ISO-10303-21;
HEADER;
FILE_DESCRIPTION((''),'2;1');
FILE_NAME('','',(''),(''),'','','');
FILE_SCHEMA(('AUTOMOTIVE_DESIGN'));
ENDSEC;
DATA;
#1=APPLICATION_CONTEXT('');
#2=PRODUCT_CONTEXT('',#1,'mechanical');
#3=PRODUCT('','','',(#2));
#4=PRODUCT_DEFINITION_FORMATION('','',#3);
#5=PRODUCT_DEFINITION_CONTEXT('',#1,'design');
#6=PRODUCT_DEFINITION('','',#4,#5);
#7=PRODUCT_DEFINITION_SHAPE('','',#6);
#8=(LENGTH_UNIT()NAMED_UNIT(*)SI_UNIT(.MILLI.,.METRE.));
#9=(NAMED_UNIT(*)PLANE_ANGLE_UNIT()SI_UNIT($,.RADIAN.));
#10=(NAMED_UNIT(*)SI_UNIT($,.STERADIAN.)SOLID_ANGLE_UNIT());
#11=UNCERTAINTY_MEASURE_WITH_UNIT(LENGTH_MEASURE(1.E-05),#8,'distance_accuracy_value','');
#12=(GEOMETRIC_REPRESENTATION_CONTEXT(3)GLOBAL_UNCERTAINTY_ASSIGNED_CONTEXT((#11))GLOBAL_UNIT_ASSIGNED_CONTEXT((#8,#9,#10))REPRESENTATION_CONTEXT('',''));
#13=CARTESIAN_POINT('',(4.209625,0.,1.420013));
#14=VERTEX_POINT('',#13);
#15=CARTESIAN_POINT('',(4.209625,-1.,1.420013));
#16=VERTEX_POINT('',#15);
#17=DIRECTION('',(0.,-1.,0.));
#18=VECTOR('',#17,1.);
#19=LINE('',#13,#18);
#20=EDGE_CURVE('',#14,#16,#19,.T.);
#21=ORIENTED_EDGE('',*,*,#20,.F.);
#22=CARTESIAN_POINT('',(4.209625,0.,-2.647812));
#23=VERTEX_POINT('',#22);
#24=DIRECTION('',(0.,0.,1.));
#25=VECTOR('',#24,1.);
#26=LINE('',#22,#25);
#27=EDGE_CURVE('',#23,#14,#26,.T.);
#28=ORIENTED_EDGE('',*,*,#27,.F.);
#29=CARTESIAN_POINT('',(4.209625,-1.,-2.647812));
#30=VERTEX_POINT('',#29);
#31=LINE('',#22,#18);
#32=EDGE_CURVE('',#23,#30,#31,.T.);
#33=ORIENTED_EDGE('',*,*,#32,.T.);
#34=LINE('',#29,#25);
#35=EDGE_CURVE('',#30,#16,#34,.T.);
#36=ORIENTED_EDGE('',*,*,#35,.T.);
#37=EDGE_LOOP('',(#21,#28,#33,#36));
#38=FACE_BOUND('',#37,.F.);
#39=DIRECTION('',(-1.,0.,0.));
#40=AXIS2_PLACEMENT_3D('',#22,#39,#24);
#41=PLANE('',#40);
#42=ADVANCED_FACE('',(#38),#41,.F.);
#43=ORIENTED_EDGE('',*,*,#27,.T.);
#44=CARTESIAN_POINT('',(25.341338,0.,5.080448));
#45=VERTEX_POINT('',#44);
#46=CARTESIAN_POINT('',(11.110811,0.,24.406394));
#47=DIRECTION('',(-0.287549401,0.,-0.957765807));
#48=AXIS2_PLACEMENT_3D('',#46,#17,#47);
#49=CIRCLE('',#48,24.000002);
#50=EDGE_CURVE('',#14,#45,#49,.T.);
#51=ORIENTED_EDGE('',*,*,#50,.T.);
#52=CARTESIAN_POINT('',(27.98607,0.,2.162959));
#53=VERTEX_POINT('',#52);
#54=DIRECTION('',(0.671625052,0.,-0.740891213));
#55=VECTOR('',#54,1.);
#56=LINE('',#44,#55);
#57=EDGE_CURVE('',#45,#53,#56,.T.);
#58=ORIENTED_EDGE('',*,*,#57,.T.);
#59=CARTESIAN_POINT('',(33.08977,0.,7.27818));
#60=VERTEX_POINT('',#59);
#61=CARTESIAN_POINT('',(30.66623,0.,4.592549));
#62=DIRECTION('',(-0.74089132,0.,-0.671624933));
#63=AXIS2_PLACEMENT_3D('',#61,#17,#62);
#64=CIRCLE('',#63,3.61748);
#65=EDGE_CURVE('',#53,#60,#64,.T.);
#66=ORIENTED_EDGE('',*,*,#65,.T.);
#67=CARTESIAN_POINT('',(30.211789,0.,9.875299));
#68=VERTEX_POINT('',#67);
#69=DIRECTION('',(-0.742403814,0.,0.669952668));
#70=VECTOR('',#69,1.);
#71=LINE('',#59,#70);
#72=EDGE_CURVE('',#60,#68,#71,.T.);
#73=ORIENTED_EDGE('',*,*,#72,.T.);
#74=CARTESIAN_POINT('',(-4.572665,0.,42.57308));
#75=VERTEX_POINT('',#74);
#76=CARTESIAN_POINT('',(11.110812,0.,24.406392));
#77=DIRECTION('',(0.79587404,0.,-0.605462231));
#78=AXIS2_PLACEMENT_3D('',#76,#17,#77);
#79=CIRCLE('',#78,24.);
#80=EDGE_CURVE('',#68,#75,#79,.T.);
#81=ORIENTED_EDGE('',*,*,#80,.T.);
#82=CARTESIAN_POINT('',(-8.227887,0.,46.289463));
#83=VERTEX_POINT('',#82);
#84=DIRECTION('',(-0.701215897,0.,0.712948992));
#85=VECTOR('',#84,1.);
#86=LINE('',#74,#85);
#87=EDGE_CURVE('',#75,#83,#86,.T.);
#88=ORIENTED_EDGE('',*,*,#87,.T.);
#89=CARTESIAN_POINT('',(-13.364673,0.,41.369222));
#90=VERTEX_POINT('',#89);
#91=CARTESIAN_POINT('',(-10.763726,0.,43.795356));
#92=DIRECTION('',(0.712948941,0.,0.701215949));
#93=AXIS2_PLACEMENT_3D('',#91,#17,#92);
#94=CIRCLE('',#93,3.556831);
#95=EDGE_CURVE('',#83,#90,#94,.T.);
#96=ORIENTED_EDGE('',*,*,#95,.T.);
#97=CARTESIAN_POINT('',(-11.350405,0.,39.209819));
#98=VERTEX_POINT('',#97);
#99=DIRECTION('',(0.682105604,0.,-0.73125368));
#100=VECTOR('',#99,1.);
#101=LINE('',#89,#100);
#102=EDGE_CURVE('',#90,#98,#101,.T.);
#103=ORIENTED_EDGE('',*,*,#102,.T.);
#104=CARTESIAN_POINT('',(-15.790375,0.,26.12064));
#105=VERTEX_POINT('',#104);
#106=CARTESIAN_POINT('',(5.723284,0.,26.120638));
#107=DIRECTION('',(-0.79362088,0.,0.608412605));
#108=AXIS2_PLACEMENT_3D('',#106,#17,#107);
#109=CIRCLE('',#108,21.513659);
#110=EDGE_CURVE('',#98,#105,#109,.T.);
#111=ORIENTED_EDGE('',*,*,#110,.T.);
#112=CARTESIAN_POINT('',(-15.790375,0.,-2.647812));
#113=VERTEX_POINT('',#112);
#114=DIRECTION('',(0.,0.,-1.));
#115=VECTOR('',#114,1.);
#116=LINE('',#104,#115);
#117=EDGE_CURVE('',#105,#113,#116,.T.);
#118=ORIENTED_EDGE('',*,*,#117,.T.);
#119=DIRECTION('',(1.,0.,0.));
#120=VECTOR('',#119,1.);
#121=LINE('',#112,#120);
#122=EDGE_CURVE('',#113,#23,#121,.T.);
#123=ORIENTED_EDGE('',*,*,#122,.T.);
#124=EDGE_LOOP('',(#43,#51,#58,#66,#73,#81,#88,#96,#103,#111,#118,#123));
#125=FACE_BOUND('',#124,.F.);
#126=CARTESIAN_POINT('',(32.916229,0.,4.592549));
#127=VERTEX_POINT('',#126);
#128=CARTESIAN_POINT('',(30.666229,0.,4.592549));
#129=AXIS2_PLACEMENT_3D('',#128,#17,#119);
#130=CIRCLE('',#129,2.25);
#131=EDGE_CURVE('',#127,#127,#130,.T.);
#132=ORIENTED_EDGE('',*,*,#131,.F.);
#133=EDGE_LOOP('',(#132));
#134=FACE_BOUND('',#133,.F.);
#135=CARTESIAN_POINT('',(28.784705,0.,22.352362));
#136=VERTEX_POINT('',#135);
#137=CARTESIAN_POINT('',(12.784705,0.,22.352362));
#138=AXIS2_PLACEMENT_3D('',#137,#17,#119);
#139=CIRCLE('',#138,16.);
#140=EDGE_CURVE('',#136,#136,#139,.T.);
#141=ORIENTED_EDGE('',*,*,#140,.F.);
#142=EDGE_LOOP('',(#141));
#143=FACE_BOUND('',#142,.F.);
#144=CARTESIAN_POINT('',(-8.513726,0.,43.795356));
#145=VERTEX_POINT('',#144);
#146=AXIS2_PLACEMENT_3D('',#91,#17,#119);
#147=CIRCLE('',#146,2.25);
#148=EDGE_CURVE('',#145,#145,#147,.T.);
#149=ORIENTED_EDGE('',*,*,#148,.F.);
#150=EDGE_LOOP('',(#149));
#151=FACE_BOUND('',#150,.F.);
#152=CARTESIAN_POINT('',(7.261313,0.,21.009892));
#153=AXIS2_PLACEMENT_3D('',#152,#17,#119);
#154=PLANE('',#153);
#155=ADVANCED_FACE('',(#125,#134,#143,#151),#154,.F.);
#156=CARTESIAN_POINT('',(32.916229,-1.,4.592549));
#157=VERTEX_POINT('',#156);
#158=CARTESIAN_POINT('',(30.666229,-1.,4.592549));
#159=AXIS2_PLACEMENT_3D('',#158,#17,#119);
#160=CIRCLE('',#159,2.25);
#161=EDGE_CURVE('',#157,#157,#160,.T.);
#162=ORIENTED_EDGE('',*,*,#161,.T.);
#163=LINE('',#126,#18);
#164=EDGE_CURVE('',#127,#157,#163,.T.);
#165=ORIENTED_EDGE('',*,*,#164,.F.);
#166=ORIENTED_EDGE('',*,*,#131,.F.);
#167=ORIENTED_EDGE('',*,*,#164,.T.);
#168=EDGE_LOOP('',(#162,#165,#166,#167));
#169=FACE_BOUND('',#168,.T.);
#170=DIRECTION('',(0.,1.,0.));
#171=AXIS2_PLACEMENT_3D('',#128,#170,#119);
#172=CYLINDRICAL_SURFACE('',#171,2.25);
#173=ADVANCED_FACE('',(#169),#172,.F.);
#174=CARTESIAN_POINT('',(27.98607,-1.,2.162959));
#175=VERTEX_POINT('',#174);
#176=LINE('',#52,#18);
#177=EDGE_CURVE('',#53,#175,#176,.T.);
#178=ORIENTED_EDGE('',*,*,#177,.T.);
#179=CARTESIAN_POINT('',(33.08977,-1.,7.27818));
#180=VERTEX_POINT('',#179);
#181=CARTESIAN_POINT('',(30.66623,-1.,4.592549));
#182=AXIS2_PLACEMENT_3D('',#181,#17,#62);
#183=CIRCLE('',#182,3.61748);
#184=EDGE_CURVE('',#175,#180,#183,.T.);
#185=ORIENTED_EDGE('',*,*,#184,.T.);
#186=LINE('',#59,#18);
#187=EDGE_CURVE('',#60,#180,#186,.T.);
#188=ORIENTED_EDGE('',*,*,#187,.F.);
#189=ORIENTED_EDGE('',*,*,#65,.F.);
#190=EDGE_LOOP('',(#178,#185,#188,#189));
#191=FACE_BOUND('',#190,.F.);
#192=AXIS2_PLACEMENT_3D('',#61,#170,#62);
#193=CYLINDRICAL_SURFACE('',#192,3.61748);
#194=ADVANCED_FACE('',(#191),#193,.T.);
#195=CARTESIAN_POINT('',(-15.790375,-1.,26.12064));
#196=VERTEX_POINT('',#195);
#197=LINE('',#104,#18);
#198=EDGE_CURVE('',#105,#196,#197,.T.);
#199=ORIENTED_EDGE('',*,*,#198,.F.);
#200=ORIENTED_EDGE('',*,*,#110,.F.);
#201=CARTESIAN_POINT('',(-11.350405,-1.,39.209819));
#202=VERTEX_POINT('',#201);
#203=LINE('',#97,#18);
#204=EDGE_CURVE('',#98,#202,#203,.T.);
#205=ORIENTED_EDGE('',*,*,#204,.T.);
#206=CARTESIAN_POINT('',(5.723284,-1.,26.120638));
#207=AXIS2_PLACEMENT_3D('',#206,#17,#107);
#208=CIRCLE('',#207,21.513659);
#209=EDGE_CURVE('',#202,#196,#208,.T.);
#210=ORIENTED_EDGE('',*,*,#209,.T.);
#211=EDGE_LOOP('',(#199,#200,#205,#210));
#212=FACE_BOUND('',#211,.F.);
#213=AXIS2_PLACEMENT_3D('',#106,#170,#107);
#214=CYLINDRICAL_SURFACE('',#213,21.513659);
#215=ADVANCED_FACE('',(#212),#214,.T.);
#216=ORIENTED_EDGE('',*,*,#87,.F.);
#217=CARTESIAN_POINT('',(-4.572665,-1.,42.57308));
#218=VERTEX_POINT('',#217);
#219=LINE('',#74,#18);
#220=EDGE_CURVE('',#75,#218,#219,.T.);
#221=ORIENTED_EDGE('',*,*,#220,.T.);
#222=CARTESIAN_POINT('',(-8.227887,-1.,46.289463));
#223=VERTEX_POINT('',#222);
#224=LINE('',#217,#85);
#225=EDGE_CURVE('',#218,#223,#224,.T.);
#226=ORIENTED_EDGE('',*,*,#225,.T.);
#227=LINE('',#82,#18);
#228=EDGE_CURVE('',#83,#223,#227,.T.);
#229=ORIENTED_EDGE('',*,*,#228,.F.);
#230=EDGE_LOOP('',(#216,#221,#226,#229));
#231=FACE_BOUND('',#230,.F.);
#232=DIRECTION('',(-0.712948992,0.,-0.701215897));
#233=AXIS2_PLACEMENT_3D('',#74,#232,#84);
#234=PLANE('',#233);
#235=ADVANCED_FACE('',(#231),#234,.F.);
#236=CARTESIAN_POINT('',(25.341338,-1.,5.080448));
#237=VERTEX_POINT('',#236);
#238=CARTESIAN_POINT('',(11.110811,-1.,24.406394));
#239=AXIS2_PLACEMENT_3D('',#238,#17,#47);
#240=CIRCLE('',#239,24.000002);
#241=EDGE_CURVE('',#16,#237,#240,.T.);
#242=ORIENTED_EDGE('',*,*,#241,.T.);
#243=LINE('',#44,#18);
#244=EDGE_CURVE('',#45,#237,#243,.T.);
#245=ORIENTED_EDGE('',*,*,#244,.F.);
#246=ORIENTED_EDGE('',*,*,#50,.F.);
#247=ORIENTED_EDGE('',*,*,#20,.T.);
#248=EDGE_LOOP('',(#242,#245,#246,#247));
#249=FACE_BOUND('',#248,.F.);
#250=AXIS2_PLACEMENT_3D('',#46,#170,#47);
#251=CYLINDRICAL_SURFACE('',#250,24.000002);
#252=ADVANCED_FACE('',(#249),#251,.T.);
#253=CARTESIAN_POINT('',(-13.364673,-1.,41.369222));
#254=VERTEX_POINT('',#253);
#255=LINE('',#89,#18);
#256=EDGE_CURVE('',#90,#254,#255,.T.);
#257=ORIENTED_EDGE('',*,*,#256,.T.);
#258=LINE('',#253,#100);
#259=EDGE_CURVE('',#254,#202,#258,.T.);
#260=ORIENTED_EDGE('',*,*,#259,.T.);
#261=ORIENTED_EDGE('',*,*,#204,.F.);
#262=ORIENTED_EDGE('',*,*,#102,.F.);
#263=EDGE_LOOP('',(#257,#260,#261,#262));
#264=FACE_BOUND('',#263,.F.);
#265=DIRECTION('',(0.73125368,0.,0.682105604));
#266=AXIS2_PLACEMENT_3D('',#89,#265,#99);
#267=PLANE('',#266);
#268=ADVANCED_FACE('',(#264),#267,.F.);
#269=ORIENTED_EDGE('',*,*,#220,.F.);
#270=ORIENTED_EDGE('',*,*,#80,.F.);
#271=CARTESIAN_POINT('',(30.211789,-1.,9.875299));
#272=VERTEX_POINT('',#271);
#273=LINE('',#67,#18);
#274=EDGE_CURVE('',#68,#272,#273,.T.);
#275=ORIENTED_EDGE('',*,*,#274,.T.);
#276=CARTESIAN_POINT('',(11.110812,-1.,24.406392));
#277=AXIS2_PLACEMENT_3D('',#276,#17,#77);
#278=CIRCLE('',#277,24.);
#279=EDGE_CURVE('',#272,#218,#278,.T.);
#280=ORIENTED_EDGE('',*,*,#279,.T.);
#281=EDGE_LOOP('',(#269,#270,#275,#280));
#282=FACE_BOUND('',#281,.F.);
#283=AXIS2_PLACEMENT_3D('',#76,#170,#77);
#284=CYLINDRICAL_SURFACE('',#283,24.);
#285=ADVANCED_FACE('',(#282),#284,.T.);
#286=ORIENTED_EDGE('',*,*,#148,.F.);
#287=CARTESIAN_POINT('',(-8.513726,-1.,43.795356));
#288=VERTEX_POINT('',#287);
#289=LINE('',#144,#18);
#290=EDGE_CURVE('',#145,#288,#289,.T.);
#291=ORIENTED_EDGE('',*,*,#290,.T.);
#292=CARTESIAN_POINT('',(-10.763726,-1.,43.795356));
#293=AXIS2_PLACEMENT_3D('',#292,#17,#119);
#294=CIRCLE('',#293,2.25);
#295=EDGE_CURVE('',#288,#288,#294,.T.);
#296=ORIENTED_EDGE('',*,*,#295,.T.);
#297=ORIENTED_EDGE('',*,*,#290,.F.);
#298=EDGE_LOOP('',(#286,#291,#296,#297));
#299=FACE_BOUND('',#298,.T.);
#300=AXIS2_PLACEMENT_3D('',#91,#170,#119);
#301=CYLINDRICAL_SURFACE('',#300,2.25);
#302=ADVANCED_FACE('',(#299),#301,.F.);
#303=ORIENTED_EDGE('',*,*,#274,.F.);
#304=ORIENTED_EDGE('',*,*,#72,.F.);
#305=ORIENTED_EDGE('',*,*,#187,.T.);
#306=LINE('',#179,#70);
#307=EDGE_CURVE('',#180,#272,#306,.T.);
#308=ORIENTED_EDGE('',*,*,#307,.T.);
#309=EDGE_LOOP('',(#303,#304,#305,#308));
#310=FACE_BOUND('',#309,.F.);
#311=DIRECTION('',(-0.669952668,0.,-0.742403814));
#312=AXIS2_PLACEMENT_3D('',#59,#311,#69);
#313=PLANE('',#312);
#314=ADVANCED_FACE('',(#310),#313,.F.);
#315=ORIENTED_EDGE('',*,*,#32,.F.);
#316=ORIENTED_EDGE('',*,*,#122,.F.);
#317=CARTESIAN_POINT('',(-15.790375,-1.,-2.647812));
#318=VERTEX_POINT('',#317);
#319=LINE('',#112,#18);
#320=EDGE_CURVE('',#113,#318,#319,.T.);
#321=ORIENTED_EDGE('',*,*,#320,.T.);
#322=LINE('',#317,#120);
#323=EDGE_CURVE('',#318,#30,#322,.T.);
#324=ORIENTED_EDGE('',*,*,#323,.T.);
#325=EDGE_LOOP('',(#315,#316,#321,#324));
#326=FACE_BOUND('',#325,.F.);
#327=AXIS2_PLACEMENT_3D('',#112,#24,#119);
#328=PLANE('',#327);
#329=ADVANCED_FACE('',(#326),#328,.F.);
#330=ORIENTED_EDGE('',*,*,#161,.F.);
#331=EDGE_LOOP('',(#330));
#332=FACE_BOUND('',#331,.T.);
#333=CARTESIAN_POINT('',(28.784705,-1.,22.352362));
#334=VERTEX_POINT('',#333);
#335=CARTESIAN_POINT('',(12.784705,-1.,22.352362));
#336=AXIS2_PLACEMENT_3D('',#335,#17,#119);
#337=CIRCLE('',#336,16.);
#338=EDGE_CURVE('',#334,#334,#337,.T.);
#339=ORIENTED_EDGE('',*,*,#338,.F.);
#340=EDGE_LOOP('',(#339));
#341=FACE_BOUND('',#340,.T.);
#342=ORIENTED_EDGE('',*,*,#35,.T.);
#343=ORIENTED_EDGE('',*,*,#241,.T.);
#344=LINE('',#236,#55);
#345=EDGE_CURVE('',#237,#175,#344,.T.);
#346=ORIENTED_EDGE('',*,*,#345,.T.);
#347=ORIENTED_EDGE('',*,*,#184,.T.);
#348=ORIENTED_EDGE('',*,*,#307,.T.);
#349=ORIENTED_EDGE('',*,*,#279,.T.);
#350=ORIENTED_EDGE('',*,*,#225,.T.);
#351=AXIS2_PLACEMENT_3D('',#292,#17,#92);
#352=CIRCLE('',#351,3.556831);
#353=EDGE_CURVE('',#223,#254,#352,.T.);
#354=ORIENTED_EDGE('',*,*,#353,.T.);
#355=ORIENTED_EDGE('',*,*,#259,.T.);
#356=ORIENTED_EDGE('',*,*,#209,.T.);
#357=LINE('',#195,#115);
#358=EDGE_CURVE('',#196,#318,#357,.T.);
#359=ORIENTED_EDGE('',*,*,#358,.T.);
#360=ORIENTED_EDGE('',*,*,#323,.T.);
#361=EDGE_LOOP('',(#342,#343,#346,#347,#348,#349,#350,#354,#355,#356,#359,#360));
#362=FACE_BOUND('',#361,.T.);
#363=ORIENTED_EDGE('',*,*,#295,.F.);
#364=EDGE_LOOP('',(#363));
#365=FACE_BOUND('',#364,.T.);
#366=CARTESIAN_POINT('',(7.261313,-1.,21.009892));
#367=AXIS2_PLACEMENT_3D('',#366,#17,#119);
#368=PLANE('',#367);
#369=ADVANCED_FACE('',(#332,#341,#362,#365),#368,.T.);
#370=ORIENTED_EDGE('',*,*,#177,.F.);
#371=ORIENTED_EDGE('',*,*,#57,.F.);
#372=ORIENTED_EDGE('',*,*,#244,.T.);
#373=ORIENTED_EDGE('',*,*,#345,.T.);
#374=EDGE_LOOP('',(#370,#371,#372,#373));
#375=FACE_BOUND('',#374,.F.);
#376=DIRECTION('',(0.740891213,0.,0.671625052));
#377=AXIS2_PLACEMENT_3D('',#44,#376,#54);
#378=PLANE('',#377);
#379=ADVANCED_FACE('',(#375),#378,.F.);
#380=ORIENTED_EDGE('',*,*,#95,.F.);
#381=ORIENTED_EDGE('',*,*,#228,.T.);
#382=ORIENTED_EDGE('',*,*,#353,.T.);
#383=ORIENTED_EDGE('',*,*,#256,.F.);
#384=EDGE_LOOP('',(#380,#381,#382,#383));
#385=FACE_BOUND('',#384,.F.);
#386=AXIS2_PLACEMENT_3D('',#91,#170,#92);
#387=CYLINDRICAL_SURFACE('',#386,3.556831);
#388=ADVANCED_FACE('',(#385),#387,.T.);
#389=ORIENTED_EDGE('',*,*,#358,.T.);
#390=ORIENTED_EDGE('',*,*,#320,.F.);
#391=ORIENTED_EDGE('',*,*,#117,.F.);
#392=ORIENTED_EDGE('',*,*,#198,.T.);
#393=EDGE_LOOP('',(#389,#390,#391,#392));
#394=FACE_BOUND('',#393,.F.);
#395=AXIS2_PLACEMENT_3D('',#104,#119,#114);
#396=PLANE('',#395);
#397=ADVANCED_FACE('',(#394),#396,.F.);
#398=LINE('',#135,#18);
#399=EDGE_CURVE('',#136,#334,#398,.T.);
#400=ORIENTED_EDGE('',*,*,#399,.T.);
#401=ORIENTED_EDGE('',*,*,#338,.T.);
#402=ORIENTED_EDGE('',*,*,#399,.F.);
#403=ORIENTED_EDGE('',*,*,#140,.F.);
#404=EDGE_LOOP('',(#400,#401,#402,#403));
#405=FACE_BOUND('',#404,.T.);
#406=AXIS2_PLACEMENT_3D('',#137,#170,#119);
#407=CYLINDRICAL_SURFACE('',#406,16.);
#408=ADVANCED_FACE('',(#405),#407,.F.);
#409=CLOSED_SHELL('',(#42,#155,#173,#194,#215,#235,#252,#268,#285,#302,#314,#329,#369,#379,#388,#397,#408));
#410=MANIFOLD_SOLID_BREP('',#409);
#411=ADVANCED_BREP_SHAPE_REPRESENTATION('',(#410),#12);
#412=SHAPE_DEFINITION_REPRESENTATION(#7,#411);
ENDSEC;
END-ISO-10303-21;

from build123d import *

# Parameters (mm, degrees)
F0_R     = 2.25
F0_R_2   = 16
F1_DEPTH = 1


with BuildPart() as f1:
    # F0 (on Front) → F1 (new body)
    with BuildSketch(Plane.XZ):
        with BuildLine():
            Line((4.209625, -2.647812), (4.209625, 1.420013))
            ThreePointArc((4.209625, 1.420013), (15.207091, 0.758549), (25.341338, 5.080448))
            Line((25.341338, 5.080448), (27.98607, 2.162959))
            ThreePointArc((27.98607, 2.162959), (33.227056, 2.037489), (33.08977, 7.27818))
            Line((33.08977, 7.27818), (30.211789, 9.875299))
            ThreePointArc((30.211789, 9.875299), (27.548758, 41.893357), (-4.572665, 42.57308))
            Line((-4.572665, 42.57308), (-8.227887, 46.289463))
            ThreePointArc((-8.227887, 46.289463), (-13.224062, 46.363974), (-13.364673, 41.369222))
            Line((-13.364673, 41.369222), (-11.350405, 39.209819))
            ThreePointArc((-11.350405, 39.209819), (-14.650167, 33.0315), (-15.790375, 26.12064))
            Line((-15.790375, 26.12064), (-15.790375, -2.647812))
            Line((-15.790375, -2.647812), (4.209625, -2.647812))
        make_face()
        with Locations((30.666229, 4.592549)):
            Circle(F0_R, mode=Mode.SUBTRACT)
        with Locations((12.784705, 22.352362)):
            Circle(F0_R_2, mode=Mode.SUBTRACT)
        with Locations((-10.763726, 43.795356)):
            Circle(F0_R, mode=Mode.SUBTRACT)
    extrude(amount=F1_DEPTH)


solid = f1.part
